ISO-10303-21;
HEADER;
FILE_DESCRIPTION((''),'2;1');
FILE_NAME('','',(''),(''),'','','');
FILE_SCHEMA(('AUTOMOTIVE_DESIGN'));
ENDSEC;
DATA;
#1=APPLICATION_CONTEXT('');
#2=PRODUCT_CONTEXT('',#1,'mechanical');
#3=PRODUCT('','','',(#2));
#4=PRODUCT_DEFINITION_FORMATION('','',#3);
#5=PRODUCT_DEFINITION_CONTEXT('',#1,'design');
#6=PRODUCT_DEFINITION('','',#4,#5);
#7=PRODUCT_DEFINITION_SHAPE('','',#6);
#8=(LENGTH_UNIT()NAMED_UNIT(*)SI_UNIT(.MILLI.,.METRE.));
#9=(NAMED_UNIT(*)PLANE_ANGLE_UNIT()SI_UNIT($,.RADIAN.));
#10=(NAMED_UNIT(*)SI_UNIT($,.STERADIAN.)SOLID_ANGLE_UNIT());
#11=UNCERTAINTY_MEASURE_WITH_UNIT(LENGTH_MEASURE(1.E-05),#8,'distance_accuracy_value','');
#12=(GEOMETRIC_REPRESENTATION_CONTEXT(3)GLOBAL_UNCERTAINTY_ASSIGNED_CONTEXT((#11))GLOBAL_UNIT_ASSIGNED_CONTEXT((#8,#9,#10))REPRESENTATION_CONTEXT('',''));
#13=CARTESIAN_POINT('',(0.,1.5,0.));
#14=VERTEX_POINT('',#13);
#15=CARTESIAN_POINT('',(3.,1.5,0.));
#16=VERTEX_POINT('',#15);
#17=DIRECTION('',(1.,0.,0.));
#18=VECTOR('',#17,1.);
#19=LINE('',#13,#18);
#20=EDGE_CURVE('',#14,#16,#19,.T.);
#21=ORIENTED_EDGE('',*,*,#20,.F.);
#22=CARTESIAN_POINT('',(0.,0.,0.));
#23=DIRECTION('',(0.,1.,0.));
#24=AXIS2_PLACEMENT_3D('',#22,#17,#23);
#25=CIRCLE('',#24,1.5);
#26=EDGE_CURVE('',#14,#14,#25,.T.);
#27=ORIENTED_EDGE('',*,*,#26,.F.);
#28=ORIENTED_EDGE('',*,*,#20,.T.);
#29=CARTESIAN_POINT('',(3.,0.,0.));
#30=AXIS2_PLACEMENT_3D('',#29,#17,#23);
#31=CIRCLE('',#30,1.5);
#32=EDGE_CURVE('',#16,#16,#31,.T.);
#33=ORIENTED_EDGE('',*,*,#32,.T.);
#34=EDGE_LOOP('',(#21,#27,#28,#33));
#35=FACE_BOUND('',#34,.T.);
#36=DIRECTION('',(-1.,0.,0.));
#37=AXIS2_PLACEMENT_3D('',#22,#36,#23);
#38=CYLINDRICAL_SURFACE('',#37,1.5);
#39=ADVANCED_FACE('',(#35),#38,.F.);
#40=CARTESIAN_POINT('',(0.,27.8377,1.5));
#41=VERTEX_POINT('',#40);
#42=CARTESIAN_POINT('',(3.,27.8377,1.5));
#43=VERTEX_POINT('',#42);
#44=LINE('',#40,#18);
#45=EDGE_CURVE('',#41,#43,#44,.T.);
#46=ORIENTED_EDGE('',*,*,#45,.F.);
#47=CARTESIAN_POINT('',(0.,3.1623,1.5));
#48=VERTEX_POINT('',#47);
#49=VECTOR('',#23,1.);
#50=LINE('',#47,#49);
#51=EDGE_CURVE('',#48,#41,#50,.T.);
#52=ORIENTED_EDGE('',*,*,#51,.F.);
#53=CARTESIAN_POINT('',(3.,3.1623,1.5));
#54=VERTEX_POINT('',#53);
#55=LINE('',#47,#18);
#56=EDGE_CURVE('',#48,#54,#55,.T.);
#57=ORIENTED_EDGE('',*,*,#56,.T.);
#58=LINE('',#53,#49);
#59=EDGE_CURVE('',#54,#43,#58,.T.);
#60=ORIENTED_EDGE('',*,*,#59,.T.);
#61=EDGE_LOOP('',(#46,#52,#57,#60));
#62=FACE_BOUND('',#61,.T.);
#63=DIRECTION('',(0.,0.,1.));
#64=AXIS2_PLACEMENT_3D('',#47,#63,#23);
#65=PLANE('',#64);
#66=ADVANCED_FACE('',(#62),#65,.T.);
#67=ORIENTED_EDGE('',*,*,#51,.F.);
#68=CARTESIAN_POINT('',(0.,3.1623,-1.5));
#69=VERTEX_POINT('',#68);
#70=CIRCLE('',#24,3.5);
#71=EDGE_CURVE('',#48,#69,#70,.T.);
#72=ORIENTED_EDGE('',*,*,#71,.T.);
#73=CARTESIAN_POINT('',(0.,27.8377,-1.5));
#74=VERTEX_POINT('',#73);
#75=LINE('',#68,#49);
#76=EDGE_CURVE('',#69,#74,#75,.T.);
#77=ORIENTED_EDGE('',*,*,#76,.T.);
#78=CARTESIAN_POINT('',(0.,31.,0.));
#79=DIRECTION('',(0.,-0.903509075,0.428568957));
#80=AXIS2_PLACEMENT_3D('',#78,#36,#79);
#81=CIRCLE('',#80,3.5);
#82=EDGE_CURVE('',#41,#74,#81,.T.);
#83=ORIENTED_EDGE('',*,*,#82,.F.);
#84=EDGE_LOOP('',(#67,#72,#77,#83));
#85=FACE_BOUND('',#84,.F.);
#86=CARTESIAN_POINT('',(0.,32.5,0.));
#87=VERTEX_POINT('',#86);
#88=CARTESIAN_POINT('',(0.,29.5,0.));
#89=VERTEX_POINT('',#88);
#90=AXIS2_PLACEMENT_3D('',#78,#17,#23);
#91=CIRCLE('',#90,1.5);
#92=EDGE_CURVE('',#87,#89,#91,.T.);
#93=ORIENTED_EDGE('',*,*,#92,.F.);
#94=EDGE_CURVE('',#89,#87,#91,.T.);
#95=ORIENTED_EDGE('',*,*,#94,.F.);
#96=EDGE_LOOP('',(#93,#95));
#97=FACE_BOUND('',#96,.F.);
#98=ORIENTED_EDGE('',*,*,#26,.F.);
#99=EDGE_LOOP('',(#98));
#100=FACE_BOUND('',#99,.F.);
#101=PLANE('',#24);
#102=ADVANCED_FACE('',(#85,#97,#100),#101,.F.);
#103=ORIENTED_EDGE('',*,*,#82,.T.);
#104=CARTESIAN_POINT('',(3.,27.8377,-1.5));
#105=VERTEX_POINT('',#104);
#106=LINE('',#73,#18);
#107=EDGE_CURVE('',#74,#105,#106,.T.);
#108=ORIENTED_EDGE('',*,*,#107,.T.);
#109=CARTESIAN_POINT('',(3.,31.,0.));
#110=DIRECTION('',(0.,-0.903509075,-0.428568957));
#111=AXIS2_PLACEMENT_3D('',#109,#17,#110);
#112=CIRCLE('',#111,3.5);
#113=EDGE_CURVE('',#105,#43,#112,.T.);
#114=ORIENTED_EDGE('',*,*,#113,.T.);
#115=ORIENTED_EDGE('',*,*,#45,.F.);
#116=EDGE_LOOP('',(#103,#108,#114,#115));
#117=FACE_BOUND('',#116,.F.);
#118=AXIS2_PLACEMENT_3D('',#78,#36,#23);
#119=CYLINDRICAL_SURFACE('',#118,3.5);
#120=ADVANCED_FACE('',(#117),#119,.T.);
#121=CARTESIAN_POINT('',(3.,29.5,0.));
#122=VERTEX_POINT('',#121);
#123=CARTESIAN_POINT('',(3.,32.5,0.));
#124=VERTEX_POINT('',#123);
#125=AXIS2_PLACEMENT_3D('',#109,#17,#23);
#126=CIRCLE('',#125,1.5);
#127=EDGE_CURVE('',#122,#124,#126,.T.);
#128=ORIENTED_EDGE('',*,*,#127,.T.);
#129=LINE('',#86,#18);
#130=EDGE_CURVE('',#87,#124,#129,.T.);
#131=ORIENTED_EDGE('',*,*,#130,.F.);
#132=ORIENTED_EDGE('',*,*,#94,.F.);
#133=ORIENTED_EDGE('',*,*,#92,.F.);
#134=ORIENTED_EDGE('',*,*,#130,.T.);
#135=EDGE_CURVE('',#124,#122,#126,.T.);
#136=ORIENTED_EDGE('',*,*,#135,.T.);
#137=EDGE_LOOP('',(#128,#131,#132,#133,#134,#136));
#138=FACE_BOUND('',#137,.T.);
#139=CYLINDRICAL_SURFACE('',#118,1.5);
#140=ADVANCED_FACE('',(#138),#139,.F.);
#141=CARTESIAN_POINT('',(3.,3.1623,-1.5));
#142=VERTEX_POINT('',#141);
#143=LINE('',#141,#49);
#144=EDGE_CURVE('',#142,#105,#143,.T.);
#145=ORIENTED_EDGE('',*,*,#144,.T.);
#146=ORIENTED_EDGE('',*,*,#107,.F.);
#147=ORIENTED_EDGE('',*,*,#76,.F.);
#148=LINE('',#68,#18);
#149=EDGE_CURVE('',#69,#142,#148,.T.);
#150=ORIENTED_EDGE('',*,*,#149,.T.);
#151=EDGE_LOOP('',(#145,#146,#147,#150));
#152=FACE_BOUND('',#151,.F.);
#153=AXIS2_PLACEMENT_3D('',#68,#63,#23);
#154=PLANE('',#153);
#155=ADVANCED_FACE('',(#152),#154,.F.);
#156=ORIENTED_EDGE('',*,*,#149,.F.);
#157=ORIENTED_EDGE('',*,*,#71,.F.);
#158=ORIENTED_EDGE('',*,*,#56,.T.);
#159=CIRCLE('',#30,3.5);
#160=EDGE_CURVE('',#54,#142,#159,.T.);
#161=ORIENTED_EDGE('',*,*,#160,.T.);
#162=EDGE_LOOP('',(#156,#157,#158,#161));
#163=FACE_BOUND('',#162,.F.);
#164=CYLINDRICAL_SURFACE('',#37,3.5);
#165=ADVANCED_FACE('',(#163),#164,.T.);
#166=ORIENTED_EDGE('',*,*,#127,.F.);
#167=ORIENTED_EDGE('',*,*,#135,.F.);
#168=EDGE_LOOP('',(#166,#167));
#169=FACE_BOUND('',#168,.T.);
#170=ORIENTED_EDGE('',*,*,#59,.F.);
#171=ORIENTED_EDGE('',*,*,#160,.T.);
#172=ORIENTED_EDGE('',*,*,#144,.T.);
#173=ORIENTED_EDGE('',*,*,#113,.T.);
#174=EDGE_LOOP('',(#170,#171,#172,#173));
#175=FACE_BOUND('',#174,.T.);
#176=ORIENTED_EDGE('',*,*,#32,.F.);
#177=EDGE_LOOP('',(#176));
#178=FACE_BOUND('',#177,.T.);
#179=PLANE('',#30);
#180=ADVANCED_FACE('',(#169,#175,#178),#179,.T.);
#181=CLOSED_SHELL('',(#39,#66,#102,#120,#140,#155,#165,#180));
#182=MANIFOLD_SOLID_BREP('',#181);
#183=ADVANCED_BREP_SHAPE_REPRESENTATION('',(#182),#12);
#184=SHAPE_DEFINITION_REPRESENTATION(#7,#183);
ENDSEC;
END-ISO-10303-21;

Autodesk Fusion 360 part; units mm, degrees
sketch "Sketch1" plane through (0, 0, 0) normal (1, 0, 0) x (0, 1, 0)
  circle A0 centre (0, 0) radius 3.5
  circle A1 centre (0, 0) radius 1.5
  line L0 (0, 0) -> (31, 0)
  circle A2 centre (31, 0) radius 1.5
  circle A3 centre (31, 0) radius 3.5
  line L1 (3.1623, 1.5) -> (27.8377, 1.5)
  line L2 (3.1623, -1.5) -> (27.8377, -1.5)
  dimension "d4" = 3
  dimension "d5" = 7
extrude "Extrude1" add sketch "Sketch1" along normal blind 3
equation "d4 = Diameter Dimension-4"
equation "d5 = Diameter Dimension-5"
